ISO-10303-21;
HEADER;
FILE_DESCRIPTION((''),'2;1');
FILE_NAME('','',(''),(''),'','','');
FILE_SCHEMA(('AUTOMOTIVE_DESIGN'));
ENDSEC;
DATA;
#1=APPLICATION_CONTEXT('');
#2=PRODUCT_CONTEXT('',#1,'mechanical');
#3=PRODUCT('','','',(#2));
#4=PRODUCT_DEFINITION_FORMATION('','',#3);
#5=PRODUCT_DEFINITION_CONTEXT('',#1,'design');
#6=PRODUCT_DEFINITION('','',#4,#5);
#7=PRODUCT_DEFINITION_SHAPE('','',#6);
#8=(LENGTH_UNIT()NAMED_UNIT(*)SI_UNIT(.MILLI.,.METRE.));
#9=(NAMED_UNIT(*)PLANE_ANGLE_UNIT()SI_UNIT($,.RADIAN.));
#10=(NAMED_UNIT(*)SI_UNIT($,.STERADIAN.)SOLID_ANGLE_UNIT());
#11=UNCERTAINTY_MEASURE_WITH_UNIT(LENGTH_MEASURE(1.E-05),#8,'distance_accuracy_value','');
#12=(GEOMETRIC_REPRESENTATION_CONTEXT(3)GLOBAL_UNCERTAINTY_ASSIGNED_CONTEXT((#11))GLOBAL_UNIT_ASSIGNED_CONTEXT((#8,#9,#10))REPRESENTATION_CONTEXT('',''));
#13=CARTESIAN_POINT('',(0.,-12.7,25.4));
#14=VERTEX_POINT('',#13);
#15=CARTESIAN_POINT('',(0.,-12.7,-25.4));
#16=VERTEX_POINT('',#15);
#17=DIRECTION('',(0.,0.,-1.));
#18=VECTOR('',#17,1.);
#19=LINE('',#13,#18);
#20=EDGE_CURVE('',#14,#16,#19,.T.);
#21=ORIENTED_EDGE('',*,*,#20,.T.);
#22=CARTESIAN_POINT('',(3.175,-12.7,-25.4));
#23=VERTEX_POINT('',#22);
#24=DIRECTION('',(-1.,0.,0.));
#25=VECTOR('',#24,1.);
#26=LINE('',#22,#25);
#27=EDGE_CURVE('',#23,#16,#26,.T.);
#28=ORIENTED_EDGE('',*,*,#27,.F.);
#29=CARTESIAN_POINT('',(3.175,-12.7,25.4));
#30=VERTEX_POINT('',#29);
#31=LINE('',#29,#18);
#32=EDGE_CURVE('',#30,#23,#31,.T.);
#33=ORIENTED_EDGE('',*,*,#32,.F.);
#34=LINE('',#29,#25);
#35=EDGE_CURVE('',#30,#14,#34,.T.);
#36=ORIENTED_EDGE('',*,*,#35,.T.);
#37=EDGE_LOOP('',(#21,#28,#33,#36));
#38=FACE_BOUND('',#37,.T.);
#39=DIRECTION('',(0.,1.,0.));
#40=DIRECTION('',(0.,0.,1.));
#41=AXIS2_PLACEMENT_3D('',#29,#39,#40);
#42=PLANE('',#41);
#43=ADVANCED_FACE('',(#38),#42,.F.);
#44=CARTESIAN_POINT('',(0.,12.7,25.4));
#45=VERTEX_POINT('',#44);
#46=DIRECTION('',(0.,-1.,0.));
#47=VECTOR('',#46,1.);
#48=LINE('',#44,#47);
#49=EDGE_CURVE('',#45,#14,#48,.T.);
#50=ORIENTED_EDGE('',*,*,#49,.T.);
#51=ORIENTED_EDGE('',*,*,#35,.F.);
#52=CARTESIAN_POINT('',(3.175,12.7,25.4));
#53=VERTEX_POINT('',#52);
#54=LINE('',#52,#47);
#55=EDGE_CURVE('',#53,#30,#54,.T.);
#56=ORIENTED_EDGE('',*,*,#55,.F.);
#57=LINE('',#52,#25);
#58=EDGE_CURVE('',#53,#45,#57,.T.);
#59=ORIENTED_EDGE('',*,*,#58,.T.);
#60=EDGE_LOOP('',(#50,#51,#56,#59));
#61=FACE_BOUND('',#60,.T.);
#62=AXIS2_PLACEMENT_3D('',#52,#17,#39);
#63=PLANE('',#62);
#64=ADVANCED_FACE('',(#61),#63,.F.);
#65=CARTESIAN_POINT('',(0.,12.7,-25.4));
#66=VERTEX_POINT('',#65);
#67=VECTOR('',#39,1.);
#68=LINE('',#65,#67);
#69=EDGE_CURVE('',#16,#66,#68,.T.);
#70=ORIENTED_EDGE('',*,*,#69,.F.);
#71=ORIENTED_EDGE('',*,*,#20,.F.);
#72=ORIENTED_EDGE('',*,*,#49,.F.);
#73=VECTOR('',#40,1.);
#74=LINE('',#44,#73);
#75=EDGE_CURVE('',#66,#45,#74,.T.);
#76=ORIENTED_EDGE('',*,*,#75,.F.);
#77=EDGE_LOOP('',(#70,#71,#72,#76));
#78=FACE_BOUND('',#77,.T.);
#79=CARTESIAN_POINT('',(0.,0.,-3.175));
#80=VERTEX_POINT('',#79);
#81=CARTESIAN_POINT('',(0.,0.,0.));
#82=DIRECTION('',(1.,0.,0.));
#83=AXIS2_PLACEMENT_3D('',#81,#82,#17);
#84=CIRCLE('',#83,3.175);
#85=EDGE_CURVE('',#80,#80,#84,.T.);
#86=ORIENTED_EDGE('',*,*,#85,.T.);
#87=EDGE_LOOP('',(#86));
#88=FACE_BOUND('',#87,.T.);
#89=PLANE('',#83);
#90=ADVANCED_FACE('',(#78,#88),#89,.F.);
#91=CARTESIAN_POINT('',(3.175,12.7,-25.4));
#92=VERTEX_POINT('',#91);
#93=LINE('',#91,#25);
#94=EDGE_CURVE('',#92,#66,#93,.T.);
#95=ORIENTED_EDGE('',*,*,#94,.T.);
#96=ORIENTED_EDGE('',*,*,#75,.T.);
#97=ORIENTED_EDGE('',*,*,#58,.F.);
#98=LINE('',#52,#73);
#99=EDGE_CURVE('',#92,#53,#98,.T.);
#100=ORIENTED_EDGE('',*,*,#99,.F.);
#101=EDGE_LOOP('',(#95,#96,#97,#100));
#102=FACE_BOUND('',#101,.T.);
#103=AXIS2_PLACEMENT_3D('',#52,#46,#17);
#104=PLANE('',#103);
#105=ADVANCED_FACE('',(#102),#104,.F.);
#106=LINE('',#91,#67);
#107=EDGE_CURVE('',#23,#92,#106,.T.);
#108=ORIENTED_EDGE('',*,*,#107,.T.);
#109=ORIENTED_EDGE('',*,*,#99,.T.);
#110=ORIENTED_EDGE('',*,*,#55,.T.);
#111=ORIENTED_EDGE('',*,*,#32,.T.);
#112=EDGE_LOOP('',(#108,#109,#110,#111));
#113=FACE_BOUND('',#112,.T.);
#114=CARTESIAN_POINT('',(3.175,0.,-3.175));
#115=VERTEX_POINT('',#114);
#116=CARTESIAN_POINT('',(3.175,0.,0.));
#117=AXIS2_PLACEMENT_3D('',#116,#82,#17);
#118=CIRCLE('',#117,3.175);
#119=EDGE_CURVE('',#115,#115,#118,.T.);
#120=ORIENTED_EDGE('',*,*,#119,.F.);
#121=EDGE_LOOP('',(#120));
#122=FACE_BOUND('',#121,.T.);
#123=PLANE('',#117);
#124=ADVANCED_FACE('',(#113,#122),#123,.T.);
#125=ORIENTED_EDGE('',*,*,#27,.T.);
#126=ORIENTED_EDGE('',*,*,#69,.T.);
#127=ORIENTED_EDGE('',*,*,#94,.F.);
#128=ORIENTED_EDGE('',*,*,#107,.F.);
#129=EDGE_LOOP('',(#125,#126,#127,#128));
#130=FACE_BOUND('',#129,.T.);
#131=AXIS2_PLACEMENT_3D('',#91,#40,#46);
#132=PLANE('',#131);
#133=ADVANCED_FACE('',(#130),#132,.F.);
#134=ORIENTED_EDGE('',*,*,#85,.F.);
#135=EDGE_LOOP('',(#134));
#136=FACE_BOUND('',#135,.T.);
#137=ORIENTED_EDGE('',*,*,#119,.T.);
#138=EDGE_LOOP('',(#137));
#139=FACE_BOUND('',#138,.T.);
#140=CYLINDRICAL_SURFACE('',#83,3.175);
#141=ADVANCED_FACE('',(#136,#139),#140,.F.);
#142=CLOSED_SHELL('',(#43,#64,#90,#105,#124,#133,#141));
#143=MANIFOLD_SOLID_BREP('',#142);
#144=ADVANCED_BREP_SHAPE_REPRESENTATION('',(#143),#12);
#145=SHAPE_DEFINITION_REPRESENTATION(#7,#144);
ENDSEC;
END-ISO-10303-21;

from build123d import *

# Parameters (mm, degrees)
SKETCH1_W           = 50.8
SKETCH1_H           = 25.4
BOSS_EXTRUDE1_DEPTH = 3.175
SKETCH2_R           = 3.175
CUT_EXTRUDE1_DEPTH  = 29.575


with BuildPart() as part:
    # Sketch1 → Boss-Extrude1 (new body)
    with BuildSketch(Plane(origin=(0, 0, 0), x_dir=(0, 0, -1), z_dir=(1, 0, 0))):
        Rectangle(SKETCH1_W, SKETCH1_H)
    extrude(amount=BOSS_EXTRUDE1_DEPTH)

    # Sketch2 → Cut-Extrude1 (cut, through all)
    with BuildSketch(Plane(origin=(3.175, 0, 0), x_dir=(0, 0, -1), z_dir=(1, 0, 0))):
        Circle(SKETCH2_R)
    extrude(amount=-CUT_EXTRUDE1_DEPTH, mode=Mode.SUBTRACT)


solid = part.part
